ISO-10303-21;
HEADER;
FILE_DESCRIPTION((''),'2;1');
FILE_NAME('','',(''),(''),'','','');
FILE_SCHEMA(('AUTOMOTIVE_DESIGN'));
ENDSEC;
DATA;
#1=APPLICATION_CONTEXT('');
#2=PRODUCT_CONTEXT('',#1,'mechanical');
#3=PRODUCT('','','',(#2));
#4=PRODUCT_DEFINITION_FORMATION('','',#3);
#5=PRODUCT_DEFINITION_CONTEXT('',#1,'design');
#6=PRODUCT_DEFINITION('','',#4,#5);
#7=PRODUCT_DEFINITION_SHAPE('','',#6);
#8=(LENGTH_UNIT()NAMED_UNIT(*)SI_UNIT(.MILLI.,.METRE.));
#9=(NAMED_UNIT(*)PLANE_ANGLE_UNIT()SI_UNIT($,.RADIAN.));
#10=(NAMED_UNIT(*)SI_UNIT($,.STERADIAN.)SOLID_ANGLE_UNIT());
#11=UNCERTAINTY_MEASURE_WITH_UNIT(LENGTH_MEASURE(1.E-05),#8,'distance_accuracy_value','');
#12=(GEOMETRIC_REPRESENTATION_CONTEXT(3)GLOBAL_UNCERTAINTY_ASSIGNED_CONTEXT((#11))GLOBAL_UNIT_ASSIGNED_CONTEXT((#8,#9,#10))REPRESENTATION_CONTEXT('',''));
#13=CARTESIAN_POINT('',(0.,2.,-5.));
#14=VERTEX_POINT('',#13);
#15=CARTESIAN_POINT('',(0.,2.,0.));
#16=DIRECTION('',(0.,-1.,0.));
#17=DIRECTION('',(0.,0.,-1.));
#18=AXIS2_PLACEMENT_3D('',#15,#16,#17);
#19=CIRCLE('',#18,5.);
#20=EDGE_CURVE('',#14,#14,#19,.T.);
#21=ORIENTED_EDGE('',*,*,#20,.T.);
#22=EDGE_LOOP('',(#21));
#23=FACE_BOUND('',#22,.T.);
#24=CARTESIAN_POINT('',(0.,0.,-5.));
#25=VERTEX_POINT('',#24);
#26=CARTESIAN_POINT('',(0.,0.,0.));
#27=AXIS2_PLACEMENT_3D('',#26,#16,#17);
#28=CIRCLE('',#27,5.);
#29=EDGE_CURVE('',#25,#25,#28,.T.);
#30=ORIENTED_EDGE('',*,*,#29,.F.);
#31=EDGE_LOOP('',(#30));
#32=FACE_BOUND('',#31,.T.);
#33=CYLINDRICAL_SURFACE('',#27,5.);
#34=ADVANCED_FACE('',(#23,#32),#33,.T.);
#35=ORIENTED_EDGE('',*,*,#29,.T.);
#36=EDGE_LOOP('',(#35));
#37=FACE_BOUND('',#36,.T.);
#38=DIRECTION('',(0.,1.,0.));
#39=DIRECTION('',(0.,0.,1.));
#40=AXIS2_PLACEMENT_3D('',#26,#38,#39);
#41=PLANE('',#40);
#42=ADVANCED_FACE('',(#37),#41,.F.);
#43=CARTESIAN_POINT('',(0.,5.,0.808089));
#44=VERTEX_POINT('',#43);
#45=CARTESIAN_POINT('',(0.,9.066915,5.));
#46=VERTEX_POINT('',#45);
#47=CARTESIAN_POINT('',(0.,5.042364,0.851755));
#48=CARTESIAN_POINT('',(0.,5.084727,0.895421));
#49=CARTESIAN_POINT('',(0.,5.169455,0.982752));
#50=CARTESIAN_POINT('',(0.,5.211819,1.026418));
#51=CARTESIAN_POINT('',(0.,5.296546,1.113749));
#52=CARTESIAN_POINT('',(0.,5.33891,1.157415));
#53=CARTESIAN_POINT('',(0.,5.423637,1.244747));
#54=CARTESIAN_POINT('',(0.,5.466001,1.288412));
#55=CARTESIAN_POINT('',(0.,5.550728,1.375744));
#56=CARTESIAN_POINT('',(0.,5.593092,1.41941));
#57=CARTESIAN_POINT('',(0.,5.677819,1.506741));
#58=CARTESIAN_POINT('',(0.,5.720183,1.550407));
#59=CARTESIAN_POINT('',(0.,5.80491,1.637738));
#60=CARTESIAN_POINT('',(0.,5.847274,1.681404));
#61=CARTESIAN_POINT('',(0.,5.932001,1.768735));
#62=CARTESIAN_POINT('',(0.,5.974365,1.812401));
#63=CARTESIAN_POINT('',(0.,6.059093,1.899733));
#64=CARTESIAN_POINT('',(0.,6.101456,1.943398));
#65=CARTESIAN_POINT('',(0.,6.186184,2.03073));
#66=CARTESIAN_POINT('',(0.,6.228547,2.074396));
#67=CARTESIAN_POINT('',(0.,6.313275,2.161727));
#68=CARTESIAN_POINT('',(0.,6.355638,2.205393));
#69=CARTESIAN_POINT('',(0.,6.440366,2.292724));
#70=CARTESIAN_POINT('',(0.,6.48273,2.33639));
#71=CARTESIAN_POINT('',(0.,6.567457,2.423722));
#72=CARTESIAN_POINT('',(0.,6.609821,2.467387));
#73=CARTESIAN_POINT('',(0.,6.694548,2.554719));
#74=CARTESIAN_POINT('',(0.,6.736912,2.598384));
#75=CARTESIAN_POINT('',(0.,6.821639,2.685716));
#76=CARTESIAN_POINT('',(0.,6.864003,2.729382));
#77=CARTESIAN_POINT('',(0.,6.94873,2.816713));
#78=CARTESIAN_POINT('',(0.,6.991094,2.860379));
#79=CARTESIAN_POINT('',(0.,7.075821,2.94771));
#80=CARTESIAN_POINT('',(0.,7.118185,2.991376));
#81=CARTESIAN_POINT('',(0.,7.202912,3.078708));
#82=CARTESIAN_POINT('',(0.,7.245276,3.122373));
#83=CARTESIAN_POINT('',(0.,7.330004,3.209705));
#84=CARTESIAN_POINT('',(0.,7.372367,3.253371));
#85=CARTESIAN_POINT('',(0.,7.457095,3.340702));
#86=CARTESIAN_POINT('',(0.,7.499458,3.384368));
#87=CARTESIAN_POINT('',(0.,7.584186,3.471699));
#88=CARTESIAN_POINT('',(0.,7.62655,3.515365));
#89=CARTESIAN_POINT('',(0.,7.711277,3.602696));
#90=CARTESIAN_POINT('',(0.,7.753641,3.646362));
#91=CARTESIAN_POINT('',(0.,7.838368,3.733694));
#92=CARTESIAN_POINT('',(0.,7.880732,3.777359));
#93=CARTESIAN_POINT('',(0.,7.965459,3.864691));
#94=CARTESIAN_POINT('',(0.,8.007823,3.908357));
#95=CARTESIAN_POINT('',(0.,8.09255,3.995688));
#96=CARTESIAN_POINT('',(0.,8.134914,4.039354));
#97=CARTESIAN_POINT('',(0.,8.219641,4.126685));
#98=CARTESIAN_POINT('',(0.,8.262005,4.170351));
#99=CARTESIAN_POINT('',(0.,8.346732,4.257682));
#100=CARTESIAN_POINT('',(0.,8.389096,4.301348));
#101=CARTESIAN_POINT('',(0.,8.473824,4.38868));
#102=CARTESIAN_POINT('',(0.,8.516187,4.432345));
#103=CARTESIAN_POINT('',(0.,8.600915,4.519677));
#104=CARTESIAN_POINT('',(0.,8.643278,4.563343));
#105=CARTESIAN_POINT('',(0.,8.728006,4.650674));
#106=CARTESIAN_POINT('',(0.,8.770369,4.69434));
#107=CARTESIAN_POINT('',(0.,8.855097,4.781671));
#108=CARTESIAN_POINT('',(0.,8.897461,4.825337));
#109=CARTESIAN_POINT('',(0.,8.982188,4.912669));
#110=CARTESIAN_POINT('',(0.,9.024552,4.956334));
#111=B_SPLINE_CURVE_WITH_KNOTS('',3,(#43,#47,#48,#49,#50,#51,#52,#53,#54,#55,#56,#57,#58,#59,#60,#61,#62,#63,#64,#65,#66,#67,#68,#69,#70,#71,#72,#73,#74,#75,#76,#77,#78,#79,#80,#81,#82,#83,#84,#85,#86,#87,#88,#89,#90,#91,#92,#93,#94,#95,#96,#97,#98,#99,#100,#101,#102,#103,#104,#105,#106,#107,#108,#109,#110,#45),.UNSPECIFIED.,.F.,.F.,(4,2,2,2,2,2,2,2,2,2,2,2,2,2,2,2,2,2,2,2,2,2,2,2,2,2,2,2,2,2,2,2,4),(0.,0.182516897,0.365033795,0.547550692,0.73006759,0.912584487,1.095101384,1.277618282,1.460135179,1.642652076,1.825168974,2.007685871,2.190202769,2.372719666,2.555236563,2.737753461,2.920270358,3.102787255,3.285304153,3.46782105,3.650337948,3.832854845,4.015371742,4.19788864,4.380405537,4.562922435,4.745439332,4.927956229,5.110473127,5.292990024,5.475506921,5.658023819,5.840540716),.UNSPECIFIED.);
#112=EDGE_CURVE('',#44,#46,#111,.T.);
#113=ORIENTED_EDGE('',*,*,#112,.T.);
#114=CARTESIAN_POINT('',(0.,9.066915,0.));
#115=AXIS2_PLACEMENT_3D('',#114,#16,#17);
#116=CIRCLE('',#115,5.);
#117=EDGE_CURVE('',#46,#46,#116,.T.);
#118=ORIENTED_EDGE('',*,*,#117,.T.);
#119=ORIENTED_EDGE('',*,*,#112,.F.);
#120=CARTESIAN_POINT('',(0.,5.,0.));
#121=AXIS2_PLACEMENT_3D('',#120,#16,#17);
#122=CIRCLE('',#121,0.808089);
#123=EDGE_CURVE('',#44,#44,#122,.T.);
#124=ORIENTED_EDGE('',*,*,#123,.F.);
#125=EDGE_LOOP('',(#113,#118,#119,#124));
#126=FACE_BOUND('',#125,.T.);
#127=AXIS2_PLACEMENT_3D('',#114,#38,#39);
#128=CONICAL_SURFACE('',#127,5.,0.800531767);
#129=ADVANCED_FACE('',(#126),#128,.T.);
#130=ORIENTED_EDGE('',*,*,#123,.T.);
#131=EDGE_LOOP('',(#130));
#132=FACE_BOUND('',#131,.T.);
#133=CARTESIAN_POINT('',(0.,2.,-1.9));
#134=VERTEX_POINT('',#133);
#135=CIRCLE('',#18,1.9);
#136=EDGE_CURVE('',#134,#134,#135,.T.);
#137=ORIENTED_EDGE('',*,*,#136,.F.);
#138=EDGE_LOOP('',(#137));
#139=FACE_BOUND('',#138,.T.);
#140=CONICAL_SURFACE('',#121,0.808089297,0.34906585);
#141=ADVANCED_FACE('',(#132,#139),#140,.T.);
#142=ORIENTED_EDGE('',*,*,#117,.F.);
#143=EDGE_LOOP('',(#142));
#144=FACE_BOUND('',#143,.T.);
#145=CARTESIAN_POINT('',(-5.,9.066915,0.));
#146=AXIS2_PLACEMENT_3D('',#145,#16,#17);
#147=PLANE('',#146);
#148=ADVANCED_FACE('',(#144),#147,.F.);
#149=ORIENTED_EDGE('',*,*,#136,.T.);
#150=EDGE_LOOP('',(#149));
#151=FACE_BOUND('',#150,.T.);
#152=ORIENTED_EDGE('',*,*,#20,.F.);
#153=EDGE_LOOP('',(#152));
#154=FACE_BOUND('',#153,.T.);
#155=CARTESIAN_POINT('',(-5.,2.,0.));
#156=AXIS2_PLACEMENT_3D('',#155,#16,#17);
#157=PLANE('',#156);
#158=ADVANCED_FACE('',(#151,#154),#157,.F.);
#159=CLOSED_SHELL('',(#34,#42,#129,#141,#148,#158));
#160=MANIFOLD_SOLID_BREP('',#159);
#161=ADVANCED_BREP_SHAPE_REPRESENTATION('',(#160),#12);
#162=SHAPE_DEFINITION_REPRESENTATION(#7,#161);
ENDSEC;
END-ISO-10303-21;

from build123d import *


with BuildPart() as part:
    # Sketch1 → Revolve1 (revolve)
    with BuildSketch(Plane.XY, mode=Mode.PRIVATE) as revolve1_sk:
        Polygon((0, 0), (-5, 0), (-5, 2), (-1.9, 2), (-0.808089297, 5), (-5, 9.066915357), (0, 9.066915357), (0, 5), align=None)
    revolve(revolve1_sk.sketch.rotate(Axis((0, 0, 0), (0, 1, 0)), 270), axis=Axis((0, 0, 0), (0, 1, 0)))


solid = part.part
